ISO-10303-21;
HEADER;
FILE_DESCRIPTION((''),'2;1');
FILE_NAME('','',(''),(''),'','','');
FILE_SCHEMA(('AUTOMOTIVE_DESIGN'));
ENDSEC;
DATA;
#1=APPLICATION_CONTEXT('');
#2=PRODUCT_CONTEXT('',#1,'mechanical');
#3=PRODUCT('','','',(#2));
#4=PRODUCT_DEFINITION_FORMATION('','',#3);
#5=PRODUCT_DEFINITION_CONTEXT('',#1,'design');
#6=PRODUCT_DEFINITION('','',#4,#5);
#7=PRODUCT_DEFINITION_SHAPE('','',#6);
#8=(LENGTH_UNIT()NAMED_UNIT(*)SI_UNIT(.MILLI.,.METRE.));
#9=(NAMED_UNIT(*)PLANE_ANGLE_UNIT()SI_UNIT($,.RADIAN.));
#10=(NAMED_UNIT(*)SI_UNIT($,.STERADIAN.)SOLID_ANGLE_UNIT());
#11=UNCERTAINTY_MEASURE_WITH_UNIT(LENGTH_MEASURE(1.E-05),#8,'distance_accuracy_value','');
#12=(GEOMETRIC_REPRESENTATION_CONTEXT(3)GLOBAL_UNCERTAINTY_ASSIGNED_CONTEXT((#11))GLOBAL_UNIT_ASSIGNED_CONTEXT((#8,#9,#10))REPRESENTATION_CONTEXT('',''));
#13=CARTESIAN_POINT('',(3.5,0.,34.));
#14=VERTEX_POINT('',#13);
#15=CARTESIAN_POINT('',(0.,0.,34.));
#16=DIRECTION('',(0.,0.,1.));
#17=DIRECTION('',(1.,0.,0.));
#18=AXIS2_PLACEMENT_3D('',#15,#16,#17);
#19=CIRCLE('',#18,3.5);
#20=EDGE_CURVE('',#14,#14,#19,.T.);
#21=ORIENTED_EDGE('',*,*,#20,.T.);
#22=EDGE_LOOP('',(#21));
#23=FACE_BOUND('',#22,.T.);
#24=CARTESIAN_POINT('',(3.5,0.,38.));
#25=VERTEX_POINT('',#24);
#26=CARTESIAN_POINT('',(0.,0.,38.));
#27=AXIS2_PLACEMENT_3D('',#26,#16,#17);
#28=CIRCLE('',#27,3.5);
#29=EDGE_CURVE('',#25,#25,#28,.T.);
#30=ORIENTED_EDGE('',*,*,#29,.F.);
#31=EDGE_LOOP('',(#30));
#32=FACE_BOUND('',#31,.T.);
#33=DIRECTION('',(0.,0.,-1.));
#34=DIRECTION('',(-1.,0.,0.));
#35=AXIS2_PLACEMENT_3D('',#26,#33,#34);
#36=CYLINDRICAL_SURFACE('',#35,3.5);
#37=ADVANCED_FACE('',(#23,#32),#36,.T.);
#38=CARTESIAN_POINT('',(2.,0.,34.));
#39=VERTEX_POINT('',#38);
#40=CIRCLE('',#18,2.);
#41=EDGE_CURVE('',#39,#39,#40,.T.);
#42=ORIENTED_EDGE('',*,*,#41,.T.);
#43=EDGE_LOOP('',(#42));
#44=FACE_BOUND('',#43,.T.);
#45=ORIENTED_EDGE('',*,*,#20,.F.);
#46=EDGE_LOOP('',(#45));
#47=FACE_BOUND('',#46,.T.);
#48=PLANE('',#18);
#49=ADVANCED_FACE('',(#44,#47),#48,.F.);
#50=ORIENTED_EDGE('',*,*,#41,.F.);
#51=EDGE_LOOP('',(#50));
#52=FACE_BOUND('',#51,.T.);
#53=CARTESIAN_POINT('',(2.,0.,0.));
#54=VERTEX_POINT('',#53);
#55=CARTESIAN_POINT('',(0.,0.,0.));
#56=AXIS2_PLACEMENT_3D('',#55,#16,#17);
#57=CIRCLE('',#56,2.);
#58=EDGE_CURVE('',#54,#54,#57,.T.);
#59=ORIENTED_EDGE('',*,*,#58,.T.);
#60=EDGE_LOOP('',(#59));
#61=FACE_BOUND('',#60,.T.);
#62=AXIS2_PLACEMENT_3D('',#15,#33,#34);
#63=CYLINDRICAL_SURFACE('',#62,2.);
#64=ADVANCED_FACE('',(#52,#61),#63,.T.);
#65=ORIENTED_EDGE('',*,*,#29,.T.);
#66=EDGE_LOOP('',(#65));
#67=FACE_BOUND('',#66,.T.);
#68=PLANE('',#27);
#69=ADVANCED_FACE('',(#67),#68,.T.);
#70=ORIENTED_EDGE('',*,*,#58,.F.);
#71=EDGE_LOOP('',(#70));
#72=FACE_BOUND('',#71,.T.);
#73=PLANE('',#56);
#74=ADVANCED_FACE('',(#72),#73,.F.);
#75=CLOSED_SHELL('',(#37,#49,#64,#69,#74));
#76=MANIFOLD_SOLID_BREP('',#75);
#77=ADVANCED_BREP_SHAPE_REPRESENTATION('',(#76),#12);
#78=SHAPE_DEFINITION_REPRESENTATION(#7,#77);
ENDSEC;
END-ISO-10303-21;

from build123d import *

# Parameters (mm, degrees)
ESQUISSE1_R        = 2
BOSS_EXTRU_1_DEPTH = 34
ESQUISSE2_R        = 3.5
BOSS_EXTRU_2_DEPTH = 4


with BuildPart() as part:
    # Esquisse1 → Boss.-Extru.1 (new body)
    with BuildSketch(Plane.XY):
        Circle(ESQUISSE1_R)
    extrude(amount=BOSS_EXTRU_1_DEPTH)

    # Esquisse2 → Boss.-Extru.2 (add)
    with BuildSketch(Plane.XY.offset(34)):
        Circle(ESQUISSE2_R)
    extrude(amount=BOSS_EXTRU_2_DEPTH)


solid = part.part
